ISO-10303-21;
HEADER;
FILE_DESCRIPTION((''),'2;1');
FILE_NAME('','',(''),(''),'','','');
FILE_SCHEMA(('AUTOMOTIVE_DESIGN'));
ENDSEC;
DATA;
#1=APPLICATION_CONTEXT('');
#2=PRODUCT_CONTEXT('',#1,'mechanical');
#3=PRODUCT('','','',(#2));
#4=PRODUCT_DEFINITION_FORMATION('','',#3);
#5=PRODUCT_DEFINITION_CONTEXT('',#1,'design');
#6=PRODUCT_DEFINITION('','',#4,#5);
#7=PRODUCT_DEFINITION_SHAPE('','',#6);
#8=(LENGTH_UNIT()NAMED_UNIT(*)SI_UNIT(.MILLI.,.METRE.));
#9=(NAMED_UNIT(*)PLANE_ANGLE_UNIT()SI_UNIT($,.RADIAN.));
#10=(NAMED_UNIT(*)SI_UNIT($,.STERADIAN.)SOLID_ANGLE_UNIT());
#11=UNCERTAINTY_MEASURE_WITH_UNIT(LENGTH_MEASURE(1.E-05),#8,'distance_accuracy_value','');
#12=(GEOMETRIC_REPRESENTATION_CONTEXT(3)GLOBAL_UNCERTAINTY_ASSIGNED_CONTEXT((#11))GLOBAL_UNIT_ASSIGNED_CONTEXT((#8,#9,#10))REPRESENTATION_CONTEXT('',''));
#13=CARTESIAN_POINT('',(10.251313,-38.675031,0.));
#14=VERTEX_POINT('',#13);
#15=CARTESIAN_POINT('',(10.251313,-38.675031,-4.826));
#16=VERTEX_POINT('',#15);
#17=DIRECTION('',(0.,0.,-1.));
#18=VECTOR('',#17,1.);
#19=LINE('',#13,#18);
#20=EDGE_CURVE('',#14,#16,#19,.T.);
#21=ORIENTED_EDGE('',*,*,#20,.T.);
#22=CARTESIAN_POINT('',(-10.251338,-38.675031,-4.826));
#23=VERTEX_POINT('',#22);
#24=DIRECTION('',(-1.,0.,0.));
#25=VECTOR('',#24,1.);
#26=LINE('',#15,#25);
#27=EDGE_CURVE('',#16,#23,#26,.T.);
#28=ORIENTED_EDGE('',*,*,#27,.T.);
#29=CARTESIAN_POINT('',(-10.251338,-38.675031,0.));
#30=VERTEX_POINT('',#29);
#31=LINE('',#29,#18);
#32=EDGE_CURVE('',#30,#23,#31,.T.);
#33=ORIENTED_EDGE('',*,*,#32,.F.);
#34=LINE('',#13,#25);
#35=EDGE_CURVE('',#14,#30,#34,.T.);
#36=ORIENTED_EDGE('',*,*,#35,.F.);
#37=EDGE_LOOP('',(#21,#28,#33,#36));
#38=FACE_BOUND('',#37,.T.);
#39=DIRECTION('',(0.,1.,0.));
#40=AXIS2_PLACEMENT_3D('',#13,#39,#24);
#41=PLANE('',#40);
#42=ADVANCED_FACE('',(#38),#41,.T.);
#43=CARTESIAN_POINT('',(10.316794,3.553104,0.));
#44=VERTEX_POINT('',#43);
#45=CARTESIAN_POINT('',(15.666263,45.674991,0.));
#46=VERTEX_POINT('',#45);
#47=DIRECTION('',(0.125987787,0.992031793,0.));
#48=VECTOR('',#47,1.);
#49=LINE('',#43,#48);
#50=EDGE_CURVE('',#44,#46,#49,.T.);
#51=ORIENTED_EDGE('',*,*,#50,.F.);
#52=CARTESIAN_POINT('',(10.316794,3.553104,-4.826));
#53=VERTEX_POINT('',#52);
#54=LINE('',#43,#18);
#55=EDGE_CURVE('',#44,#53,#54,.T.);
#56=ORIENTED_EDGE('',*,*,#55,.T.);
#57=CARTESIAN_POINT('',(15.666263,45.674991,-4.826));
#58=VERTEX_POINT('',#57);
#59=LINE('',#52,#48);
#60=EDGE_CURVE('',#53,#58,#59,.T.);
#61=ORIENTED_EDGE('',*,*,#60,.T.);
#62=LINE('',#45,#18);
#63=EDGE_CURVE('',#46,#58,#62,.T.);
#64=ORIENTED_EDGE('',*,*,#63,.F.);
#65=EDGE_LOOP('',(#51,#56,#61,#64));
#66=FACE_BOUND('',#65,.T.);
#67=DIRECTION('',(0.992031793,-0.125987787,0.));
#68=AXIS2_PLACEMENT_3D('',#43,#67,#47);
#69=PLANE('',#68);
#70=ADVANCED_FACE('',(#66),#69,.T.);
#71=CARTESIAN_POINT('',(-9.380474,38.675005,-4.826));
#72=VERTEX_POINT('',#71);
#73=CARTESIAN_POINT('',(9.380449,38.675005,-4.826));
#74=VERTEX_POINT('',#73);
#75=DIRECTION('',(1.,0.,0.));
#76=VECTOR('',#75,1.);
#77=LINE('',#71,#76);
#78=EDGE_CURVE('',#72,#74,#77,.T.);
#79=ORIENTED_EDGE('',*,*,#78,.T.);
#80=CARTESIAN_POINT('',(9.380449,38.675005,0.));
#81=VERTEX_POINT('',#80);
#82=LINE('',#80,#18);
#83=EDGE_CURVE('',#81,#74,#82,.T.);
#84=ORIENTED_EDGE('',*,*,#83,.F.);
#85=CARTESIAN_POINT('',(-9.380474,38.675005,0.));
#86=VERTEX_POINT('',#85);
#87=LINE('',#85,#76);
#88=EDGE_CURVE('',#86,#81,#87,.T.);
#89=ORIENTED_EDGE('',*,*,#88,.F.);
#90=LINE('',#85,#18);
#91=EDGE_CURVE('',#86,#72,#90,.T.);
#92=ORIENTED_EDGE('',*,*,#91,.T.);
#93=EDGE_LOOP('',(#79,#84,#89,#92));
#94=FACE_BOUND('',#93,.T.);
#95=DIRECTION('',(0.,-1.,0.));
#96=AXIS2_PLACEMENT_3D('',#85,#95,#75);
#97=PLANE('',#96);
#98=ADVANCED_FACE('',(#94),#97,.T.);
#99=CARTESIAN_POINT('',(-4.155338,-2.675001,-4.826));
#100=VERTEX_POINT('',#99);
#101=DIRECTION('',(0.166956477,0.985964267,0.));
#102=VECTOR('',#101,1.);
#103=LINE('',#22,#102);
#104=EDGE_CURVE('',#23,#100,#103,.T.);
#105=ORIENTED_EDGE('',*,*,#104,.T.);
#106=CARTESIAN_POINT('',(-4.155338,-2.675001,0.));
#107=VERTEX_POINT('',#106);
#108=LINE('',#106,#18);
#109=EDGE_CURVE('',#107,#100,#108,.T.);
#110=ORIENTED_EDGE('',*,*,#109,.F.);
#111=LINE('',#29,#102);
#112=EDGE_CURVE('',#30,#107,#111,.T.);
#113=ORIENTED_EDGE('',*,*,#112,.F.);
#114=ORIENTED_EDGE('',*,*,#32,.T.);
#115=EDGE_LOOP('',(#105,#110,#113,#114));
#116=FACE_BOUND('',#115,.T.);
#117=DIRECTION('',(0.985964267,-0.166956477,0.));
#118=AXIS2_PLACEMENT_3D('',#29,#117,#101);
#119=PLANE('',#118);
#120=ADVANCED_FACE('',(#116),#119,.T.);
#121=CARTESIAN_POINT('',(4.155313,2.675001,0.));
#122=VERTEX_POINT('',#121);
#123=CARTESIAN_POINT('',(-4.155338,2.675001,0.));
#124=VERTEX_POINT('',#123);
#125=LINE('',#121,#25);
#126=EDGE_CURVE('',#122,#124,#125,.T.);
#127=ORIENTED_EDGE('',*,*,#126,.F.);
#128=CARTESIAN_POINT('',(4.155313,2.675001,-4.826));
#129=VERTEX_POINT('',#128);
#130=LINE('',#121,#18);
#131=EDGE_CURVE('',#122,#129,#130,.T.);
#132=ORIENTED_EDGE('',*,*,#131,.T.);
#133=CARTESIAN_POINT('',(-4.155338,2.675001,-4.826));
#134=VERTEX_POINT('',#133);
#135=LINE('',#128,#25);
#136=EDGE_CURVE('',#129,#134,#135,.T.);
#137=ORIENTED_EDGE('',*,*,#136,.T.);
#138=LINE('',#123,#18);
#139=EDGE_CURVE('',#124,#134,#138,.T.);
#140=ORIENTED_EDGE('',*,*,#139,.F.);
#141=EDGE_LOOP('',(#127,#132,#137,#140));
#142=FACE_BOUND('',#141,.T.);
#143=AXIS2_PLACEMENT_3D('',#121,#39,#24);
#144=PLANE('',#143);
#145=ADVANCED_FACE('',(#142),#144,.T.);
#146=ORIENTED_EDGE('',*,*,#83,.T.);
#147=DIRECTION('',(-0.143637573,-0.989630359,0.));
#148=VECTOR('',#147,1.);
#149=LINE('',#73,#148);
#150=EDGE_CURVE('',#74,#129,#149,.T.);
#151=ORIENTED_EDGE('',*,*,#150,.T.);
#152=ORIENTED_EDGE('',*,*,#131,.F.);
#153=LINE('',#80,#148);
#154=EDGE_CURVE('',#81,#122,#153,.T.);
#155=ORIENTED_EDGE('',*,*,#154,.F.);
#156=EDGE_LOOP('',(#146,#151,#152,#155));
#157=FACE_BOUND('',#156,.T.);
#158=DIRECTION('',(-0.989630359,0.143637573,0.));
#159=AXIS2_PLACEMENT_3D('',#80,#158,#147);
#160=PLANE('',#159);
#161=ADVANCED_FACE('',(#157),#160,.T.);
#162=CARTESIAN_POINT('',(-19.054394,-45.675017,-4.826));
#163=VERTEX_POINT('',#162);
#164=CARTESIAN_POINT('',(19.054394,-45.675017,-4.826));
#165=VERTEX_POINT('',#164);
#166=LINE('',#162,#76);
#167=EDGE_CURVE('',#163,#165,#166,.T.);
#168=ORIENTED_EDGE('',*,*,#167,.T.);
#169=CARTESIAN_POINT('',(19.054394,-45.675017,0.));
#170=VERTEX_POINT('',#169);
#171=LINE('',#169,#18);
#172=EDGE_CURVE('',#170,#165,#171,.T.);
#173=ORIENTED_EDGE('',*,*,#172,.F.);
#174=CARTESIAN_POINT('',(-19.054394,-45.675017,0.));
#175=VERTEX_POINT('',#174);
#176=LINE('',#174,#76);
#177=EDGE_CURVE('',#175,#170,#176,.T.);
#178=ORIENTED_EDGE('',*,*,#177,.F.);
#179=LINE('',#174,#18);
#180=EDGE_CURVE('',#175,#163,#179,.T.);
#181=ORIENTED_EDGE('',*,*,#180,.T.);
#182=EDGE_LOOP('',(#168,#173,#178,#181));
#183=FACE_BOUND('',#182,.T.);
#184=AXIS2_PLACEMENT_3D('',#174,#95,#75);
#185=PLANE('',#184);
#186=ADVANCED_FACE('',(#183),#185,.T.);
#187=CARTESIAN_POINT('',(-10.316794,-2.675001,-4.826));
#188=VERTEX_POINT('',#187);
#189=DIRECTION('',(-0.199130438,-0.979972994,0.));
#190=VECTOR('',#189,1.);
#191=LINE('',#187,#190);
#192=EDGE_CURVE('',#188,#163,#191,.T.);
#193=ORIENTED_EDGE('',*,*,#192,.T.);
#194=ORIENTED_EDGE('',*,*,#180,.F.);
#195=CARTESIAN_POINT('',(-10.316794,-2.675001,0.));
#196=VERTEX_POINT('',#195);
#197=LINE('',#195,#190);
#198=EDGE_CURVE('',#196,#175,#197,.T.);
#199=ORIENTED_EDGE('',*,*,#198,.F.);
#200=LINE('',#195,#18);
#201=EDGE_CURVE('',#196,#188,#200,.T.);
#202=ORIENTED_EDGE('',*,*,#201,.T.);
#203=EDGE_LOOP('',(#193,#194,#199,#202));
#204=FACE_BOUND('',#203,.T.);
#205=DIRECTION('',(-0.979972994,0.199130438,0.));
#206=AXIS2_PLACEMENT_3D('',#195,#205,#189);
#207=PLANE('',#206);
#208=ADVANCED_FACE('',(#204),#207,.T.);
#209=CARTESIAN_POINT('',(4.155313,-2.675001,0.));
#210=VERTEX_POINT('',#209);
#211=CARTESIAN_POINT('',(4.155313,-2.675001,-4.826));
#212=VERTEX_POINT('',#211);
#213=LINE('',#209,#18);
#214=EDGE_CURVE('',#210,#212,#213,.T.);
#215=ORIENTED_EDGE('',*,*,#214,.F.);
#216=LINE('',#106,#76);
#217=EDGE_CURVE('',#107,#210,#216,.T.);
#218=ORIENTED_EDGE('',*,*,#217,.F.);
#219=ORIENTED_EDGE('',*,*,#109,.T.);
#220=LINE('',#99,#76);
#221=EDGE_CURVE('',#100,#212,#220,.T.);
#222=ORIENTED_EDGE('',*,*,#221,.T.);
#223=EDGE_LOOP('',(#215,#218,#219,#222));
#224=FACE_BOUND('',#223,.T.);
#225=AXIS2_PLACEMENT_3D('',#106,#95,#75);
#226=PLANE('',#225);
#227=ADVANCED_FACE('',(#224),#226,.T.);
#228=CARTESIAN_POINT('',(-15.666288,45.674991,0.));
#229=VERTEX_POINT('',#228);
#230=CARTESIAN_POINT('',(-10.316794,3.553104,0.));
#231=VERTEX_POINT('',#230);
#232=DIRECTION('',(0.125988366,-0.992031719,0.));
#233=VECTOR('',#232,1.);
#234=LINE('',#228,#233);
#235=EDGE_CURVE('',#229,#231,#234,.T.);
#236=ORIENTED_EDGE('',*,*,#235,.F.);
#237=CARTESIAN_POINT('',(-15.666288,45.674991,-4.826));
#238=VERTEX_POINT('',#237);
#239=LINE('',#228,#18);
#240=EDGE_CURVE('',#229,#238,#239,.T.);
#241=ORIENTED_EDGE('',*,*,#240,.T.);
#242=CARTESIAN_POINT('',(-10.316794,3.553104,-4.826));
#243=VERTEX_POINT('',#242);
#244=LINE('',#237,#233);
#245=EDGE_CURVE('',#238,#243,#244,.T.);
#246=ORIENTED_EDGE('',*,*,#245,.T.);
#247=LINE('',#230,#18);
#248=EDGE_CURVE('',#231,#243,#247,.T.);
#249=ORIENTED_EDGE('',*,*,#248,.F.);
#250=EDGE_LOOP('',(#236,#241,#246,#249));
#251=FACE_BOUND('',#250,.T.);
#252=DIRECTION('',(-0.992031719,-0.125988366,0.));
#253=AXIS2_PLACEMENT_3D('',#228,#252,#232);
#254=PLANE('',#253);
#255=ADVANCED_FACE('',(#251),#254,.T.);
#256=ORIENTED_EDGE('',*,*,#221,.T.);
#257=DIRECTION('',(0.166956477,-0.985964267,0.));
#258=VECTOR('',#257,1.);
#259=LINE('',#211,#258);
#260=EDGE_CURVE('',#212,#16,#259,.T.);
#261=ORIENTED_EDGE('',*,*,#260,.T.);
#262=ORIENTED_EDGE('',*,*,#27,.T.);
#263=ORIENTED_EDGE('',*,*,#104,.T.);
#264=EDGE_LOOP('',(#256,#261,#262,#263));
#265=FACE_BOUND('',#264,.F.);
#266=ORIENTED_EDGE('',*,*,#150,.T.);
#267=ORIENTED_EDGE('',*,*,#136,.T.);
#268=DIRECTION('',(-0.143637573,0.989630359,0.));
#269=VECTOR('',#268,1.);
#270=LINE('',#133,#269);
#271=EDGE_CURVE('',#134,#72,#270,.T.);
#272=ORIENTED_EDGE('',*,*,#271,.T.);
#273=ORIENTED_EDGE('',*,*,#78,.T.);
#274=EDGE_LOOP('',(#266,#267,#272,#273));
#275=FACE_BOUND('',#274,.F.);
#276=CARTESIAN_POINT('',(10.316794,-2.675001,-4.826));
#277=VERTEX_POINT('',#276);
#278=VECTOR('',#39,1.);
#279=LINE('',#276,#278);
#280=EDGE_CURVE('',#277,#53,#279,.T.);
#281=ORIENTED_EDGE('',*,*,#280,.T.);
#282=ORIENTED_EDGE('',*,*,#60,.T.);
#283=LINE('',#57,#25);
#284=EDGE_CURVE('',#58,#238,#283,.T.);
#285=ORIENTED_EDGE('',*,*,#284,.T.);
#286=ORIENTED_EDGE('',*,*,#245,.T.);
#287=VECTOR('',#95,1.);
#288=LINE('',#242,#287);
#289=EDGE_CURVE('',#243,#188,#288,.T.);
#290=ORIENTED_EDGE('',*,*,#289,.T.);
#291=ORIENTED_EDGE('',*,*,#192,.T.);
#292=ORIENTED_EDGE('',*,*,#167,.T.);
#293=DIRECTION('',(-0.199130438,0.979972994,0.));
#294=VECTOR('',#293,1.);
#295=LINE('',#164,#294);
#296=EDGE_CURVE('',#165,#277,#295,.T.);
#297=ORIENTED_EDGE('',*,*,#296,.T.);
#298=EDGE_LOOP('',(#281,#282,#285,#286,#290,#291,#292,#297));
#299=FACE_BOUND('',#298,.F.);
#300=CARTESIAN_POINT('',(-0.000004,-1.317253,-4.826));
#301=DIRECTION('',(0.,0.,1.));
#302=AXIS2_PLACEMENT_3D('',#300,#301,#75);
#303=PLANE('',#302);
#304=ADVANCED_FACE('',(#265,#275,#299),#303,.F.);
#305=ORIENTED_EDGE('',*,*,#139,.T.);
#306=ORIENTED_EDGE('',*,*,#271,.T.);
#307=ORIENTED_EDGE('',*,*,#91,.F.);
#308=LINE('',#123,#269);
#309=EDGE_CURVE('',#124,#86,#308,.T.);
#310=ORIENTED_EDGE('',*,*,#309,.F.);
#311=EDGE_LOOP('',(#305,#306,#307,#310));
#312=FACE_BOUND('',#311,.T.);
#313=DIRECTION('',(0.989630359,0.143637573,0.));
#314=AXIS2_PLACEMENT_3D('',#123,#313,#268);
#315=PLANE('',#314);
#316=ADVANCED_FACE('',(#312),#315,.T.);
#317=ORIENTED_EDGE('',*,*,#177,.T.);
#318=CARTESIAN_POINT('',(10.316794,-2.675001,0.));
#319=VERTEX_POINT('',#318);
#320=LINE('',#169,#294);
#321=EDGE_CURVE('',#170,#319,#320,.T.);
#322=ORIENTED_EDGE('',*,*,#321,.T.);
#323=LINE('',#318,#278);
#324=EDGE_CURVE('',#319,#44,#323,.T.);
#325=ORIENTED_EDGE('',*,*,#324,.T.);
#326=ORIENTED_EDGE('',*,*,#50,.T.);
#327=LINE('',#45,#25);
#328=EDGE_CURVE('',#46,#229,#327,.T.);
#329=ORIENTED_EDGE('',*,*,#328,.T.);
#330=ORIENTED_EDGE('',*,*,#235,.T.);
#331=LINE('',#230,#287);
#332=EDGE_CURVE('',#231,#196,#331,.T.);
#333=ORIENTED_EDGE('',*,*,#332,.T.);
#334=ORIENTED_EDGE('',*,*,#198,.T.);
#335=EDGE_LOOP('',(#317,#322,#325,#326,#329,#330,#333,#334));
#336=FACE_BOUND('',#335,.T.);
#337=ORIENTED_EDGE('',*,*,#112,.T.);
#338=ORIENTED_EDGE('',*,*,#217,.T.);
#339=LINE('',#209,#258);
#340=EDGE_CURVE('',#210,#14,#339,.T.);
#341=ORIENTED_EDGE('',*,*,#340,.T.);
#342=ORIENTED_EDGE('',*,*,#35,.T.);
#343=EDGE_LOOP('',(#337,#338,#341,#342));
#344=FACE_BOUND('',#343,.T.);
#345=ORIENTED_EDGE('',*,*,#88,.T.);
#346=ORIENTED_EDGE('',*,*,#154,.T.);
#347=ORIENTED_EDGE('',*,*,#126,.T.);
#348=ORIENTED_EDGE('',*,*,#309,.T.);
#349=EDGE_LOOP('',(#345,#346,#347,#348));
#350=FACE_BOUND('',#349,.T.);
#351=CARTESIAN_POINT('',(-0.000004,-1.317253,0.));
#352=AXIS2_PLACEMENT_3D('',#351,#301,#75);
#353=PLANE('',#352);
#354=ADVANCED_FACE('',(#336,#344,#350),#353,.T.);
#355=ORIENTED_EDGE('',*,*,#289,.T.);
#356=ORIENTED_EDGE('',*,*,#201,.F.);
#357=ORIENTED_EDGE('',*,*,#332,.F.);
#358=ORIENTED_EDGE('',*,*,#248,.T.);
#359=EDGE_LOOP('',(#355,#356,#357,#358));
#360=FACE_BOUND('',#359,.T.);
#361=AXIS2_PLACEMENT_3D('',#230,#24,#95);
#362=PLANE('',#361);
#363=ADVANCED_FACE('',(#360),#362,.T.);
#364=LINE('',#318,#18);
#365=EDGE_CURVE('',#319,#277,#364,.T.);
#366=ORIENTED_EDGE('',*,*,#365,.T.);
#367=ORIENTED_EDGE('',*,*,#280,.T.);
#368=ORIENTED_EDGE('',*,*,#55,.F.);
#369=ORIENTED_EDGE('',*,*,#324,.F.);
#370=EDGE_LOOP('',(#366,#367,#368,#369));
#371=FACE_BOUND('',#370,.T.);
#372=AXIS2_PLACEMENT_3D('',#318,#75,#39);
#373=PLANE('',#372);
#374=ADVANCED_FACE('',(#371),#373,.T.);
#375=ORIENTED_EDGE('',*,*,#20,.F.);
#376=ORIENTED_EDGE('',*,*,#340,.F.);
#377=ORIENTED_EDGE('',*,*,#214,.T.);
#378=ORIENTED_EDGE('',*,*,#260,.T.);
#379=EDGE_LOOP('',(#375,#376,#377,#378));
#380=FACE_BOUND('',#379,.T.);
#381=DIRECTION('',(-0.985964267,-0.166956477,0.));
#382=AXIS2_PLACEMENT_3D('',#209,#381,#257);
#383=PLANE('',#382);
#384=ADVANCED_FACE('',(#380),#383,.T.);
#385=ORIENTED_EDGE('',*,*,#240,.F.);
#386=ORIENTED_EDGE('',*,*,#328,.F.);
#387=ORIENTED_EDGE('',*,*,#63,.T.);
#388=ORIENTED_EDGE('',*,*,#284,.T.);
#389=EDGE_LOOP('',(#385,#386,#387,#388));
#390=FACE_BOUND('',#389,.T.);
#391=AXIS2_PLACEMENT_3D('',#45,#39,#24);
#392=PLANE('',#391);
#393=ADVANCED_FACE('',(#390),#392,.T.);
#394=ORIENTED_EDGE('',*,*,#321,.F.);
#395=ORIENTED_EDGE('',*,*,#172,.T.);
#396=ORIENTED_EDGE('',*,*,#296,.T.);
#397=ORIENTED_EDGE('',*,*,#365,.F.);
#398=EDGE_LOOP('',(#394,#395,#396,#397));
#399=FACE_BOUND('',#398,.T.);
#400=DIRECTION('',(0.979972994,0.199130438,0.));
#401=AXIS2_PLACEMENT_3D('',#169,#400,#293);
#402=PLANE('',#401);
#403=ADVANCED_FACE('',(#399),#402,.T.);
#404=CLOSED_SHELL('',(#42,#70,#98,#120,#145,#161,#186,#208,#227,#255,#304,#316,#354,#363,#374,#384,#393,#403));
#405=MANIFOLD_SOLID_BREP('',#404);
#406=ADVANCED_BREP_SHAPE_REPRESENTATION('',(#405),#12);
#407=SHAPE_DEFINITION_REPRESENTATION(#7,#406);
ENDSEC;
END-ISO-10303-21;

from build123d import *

# Parameters (mm, degrees)
F1_DEPTH = 4.826


with BuildPart() as f1:
    # F0 (on Top) → F1 (new body)
    with BuildSketch(Plane.XY):
        Polygon((15.666263, 45.674991), (-15.666288, 45.674991), (-10.316794, 3.553104), (-10.316794, -2.675001), (-19.054394, -45.675017), (19.054394, -45.675017), (10.316794, -2.675001), (10.316794, 3.553104), align=None)
        Polygon((-10.251338, -38.675031), (-4.155338, -2.675001), (4.155313, -2.675001), (10.251313, -38.675031), align=None, mode=Mode.SUBTRACT)
        Polygon((9.380449, 38.675005), (4.155313, 2.675001), (-4.155338, 2.675001), (-9.380474, 38.675005), align=None, mode=Mode.SUBTRACT)
    extrude(amount=-F1_DEPTH)


solid = f1.part
